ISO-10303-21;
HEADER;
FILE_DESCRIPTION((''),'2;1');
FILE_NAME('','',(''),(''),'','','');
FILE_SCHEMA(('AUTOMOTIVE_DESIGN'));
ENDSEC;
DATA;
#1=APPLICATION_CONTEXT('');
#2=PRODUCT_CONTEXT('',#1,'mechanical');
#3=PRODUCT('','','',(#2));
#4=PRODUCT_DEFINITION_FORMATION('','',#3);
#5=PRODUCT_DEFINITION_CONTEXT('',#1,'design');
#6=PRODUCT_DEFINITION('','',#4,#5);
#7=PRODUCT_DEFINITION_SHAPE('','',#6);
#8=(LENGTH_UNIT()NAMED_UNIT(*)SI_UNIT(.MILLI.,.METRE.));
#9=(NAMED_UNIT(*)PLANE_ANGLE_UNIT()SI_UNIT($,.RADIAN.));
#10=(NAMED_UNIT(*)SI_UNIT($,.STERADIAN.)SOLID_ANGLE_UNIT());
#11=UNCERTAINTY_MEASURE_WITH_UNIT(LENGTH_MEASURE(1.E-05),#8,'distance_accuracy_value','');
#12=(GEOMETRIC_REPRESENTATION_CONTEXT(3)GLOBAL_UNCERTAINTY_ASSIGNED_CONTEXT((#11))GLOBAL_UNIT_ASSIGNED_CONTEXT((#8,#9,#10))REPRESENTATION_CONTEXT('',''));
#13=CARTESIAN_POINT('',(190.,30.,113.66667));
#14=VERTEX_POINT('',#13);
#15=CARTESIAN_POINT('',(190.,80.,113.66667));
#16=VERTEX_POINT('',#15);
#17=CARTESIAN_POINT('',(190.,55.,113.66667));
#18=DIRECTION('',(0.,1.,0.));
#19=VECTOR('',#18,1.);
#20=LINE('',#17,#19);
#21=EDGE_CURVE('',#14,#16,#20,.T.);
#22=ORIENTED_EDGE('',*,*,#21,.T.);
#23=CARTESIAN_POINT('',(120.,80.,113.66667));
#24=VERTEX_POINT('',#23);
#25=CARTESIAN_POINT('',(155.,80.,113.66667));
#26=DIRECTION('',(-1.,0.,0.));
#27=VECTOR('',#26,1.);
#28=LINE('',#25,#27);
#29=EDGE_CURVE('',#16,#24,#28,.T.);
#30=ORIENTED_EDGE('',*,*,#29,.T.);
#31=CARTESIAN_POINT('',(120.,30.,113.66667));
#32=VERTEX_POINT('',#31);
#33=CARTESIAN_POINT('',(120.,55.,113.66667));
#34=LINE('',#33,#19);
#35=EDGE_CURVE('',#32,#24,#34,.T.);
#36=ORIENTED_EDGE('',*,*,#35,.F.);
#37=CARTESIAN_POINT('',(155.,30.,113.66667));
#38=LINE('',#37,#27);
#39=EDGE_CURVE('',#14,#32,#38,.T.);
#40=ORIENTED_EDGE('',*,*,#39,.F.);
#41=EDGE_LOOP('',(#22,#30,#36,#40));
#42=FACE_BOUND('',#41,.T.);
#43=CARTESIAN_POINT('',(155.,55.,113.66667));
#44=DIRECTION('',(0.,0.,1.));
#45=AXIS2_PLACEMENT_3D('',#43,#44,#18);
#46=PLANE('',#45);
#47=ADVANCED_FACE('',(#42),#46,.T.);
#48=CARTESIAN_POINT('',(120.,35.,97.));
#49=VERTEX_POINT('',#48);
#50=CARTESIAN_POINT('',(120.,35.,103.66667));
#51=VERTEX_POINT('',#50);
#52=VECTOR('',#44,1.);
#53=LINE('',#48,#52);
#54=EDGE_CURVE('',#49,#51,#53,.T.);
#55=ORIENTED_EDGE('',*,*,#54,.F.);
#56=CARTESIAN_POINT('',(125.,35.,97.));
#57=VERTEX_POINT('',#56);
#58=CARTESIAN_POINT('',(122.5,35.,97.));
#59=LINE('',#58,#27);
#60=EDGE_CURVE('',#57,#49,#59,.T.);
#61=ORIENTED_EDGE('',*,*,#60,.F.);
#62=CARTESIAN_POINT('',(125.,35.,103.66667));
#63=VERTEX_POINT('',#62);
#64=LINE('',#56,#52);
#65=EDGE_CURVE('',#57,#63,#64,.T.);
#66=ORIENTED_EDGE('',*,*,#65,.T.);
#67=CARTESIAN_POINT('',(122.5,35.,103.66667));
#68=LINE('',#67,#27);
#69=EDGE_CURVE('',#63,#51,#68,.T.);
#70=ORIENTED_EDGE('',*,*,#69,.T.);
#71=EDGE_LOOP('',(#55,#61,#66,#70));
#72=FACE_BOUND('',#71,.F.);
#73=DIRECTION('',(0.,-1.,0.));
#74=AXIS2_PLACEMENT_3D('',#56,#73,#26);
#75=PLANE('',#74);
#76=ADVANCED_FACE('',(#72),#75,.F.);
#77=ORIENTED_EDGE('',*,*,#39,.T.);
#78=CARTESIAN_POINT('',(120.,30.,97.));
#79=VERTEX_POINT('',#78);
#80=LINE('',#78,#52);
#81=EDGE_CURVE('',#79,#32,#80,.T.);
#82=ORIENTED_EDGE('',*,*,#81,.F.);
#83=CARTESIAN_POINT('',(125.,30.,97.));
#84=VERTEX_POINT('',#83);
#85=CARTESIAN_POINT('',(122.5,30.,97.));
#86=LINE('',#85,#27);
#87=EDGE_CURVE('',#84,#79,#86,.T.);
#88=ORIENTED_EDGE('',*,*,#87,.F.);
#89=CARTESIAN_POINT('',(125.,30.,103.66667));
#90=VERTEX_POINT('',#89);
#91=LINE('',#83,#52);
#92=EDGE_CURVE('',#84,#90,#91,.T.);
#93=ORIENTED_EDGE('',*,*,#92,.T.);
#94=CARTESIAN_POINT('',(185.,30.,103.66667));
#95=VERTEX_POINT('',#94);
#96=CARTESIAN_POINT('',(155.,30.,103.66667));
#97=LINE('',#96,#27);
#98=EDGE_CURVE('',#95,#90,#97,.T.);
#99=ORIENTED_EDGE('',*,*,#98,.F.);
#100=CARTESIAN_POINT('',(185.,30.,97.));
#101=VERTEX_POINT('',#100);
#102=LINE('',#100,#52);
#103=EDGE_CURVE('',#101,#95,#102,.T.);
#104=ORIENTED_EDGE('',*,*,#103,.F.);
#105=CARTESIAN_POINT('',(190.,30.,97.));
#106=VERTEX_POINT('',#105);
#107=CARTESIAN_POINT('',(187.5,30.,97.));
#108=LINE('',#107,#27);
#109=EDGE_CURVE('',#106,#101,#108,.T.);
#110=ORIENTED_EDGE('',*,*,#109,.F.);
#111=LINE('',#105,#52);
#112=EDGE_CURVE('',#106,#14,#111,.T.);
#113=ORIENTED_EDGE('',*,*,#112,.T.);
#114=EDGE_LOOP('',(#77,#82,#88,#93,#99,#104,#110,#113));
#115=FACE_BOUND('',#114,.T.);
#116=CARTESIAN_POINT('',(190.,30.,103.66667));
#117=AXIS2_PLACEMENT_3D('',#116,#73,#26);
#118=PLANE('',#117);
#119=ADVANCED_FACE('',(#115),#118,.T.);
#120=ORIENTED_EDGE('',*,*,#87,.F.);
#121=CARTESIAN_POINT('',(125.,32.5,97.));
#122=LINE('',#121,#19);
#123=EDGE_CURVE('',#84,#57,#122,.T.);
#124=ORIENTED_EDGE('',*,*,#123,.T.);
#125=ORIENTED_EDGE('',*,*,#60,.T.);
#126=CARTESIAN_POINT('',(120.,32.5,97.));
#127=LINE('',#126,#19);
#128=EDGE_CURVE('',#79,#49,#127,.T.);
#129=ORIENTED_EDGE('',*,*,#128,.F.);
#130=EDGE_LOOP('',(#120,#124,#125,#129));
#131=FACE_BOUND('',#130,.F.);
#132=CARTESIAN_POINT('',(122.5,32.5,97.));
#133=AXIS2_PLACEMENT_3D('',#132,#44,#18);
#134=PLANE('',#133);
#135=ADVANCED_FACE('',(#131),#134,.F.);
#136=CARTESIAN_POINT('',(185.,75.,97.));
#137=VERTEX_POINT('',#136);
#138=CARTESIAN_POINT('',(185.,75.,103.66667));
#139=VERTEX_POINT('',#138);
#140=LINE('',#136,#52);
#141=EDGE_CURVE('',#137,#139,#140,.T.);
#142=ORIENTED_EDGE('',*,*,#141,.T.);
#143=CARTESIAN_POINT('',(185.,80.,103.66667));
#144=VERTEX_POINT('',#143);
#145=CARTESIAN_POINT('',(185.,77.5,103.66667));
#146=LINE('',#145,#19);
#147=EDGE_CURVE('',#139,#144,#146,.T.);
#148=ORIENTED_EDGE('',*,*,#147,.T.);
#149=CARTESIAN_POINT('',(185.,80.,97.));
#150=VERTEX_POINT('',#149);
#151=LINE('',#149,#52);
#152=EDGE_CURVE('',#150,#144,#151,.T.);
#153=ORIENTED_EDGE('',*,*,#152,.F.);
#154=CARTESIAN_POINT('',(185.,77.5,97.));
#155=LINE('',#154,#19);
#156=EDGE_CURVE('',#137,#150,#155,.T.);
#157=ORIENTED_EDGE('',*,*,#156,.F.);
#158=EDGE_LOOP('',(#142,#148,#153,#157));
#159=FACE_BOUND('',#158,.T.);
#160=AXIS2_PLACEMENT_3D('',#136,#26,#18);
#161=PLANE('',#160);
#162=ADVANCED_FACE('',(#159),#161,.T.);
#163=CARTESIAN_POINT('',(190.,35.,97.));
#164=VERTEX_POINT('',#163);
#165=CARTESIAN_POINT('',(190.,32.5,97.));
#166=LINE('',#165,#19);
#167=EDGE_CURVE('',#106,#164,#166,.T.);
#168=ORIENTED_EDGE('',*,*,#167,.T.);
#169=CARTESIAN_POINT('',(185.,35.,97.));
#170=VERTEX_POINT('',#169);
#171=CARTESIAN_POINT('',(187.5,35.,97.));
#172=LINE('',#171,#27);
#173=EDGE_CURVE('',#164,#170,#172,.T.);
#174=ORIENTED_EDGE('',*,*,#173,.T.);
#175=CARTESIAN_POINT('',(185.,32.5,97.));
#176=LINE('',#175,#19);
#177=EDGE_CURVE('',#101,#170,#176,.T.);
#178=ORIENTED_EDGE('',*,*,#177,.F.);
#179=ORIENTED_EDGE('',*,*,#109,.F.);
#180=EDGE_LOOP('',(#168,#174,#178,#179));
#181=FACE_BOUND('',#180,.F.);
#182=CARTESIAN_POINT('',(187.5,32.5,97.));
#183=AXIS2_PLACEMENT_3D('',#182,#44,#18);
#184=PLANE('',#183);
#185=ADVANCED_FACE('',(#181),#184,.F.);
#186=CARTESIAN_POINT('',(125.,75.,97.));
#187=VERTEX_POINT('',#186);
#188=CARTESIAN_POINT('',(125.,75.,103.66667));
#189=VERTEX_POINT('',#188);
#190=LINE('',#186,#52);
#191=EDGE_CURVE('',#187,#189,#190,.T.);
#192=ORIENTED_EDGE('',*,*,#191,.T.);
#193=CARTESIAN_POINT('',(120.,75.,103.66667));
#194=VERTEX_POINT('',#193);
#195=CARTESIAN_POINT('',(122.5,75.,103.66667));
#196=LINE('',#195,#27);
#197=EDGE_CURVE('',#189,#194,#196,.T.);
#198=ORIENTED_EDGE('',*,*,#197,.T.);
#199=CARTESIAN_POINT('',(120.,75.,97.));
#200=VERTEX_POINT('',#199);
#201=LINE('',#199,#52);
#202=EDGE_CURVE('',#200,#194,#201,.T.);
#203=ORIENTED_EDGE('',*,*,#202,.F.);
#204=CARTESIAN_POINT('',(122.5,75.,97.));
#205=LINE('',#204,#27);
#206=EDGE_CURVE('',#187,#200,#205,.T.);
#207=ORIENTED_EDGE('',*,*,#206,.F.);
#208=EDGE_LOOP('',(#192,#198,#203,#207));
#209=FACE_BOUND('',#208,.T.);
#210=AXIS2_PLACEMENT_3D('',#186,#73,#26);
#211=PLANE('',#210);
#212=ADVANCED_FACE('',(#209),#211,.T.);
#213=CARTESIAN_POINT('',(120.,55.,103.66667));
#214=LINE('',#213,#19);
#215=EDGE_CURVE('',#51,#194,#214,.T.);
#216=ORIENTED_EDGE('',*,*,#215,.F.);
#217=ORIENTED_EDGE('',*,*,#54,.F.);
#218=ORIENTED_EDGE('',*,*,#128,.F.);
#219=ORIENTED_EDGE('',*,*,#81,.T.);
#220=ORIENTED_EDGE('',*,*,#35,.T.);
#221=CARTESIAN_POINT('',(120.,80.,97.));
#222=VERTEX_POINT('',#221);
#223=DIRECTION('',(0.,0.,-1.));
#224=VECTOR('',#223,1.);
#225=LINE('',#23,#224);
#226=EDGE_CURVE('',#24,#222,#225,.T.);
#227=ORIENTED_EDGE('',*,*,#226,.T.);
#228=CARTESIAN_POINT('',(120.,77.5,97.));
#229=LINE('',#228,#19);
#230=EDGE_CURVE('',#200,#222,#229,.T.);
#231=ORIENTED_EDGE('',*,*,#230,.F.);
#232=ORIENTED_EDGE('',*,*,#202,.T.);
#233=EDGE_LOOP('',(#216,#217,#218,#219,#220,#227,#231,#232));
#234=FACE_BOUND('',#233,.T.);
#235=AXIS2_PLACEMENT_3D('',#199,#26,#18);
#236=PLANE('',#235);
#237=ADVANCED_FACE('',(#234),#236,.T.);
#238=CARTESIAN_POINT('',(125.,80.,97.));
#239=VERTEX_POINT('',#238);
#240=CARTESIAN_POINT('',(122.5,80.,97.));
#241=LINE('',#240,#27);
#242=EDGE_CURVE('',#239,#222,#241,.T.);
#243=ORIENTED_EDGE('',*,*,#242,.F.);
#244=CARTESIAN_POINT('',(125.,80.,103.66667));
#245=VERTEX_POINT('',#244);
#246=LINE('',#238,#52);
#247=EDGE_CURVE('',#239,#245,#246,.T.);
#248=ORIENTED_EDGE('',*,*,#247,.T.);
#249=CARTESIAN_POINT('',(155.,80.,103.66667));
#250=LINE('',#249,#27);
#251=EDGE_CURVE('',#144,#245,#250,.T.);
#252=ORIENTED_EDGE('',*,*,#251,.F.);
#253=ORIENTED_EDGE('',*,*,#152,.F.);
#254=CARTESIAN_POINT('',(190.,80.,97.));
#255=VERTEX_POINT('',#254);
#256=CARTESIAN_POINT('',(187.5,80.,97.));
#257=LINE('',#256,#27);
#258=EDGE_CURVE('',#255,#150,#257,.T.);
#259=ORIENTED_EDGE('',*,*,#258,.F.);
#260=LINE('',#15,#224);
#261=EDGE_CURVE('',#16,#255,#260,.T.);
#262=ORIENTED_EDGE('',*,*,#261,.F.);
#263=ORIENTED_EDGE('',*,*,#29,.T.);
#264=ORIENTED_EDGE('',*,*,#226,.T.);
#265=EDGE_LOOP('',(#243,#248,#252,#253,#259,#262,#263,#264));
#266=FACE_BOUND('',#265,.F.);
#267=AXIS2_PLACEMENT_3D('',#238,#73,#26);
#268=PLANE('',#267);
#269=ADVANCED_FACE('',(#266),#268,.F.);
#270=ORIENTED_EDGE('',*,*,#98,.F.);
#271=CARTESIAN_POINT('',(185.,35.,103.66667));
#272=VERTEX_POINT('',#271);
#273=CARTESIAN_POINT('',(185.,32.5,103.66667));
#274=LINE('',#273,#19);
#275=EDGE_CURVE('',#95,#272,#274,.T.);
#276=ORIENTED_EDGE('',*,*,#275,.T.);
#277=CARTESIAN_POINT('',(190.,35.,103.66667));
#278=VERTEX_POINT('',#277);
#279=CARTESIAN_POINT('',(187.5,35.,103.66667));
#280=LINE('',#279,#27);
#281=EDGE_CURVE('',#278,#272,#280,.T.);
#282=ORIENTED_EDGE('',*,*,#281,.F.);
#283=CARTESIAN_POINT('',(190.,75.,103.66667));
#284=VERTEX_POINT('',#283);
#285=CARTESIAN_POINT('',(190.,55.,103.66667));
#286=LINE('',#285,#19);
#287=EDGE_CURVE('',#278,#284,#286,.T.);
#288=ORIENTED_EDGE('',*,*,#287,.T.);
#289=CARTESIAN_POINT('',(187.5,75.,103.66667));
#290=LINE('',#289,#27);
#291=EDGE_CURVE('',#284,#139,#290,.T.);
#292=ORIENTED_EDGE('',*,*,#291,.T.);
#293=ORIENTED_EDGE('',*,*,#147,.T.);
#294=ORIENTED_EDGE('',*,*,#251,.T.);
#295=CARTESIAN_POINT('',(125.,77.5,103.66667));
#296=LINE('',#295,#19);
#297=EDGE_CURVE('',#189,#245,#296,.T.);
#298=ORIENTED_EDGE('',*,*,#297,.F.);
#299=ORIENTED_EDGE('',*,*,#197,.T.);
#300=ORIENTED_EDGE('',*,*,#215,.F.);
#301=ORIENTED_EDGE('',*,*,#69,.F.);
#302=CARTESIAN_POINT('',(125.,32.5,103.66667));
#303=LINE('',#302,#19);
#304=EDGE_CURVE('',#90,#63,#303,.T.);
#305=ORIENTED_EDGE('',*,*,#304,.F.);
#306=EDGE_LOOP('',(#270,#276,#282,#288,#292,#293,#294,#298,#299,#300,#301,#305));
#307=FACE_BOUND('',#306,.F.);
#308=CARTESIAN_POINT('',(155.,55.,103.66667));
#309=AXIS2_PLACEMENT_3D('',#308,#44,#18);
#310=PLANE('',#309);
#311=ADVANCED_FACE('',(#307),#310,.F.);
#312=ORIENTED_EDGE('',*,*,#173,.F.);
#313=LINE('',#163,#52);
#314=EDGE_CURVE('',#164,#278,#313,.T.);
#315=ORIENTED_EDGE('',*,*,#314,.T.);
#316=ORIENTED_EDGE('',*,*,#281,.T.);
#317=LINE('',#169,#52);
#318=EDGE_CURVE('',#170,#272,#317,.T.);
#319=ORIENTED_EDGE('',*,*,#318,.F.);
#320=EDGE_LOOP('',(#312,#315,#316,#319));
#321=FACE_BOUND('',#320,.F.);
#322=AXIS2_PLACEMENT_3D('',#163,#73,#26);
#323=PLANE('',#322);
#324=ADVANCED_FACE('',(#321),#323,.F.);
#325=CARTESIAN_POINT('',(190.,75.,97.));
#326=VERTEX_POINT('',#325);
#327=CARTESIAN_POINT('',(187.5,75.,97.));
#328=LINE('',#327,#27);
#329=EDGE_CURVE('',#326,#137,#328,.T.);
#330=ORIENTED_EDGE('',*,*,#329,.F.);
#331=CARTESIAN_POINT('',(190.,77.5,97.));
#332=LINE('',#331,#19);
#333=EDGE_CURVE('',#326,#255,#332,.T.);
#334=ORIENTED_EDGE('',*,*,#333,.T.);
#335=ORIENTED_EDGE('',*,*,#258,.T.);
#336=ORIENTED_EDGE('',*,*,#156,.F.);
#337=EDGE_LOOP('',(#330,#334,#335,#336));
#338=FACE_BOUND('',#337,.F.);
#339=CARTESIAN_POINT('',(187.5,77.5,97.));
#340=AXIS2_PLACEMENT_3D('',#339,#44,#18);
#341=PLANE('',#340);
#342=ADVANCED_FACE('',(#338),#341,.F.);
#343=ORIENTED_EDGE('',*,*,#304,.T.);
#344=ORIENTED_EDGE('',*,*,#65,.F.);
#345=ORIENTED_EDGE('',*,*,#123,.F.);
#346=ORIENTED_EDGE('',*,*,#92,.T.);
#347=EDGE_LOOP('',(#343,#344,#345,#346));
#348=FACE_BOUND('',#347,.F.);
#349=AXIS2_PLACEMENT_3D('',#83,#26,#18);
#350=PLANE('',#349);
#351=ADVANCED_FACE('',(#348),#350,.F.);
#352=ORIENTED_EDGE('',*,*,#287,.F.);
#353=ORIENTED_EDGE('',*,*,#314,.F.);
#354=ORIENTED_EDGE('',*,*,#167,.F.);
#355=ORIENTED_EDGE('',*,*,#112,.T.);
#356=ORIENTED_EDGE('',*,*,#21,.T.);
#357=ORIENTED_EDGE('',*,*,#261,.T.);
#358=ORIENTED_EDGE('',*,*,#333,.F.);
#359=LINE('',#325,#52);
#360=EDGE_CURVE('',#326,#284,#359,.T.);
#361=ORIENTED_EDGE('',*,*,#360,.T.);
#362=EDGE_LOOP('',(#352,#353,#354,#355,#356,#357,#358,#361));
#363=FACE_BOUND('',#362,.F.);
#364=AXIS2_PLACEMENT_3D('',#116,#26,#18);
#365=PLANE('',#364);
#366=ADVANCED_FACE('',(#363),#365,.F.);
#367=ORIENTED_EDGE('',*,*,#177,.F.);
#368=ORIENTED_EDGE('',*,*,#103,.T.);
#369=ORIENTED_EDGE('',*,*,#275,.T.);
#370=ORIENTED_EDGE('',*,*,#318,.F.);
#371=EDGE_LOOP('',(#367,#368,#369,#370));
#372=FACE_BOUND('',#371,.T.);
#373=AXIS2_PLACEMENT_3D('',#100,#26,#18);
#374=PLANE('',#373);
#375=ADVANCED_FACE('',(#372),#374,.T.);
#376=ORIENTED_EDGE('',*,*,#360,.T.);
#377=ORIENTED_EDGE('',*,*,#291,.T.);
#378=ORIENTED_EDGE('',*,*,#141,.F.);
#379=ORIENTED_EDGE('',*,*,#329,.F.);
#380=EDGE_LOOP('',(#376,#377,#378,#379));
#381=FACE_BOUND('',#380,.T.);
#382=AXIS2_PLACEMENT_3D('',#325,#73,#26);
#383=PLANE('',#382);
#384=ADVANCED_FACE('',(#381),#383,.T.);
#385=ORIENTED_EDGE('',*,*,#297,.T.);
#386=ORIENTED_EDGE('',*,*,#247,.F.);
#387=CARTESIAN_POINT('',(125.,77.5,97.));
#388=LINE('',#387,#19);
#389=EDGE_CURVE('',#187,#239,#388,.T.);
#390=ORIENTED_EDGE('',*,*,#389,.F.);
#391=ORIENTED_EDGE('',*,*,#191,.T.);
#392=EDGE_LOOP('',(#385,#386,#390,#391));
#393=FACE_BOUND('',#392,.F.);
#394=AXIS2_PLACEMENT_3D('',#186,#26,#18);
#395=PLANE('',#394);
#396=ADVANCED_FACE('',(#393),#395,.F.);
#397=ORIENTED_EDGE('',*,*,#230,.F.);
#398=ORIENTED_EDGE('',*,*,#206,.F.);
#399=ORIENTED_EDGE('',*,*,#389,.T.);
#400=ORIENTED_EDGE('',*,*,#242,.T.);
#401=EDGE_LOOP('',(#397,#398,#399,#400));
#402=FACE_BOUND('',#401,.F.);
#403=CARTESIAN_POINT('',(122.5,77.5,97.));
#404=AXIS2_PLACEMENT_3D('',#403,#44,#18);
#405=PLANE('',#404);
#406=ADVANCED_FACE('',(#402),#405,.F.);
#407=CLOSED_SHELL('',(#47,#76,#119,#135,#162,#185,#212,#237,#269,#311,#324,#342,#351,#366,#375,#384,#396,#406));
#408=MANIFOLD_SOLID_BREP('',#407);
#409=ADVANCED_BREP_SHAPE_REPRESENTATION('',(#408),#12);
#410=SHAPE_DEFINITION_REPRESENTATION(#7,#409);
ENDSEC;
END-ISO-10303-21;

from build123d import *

# Parameters (mm, degrees)
BOX012_W                  = 5
BOX012_H                  = 5
BOX012_DEPTH              = 6.66667
ARRAY_X_COUNT             = 2
ARRAY_X_PITCH             = 45
ARRAY_Y_COUNT             = 2
ARRAY_Y_PITCH             = 65
BOX011_W                  = 50
BOX011_H                  = 70
BOX011_DEPTH              = 10
FUSION003_PLACEMENT_ANGLE = 90


with BuildPart() as patas_de_la_cama:
    # Box012 → Box012 (new body)
    with BuildSketch(Plane(origin=(30, 20, 0), x_dir=(1, 0, 0), z_dir=(0, 0, 1))):
        with Locations((2.5, 2.5)):
            Rectangle(BOX012_W, BOX012_H)
    extrude(amount=BOX012_DEPTH)

    # Array X: Patas de la cama ×2


with BuildPart() as patas_de_la_cama_1:
    add(patas_de_la_cama.part)
    with Locations(*[(i * ARRAY_X_PITCH, 0, 0) for i in range(1, ARRAY_X_COUNT)]):
        add(patas_de_la_cama.part)

    # Array Y: Patas de la cama ×2


with BuildPart() as patas_de_la_cama_2:
    add(patas_de_la_cama_1.part)
    with Locations(*[(0, i * ARRAY_Y_PITCH, 0) for i in range(1, ARRAY_Y_COUNT)]):
        add(patas_de_la_cama_1.part)


with BuildPart() as fusion003:
    # Box011 → Box011 (new body)
    with BuildSketch(Plane(origin=(30, 20, 6.66667), x_dir=(1, 0, 0), z_dir=(0, 0, 1))):
        with Locations((25, 35)):
            Rectangle(BOX011_W, BOX011_H)
    extrude(amount=BOX011_DEPTH)

    # Fusion003: union Patas de la cama
    add(patas_de_la_cama_2.part)


with BuildPart() as fusion003_1:
    # Fusion003 placement: moved
    add(fusion003.part.moved(Location((210, 0, 97))).rotate(Axis((210, 0, 97), (0, 0, 1)), FUSION003_PLACEMENT_ANGLE))


solid = fusion003_1.part
